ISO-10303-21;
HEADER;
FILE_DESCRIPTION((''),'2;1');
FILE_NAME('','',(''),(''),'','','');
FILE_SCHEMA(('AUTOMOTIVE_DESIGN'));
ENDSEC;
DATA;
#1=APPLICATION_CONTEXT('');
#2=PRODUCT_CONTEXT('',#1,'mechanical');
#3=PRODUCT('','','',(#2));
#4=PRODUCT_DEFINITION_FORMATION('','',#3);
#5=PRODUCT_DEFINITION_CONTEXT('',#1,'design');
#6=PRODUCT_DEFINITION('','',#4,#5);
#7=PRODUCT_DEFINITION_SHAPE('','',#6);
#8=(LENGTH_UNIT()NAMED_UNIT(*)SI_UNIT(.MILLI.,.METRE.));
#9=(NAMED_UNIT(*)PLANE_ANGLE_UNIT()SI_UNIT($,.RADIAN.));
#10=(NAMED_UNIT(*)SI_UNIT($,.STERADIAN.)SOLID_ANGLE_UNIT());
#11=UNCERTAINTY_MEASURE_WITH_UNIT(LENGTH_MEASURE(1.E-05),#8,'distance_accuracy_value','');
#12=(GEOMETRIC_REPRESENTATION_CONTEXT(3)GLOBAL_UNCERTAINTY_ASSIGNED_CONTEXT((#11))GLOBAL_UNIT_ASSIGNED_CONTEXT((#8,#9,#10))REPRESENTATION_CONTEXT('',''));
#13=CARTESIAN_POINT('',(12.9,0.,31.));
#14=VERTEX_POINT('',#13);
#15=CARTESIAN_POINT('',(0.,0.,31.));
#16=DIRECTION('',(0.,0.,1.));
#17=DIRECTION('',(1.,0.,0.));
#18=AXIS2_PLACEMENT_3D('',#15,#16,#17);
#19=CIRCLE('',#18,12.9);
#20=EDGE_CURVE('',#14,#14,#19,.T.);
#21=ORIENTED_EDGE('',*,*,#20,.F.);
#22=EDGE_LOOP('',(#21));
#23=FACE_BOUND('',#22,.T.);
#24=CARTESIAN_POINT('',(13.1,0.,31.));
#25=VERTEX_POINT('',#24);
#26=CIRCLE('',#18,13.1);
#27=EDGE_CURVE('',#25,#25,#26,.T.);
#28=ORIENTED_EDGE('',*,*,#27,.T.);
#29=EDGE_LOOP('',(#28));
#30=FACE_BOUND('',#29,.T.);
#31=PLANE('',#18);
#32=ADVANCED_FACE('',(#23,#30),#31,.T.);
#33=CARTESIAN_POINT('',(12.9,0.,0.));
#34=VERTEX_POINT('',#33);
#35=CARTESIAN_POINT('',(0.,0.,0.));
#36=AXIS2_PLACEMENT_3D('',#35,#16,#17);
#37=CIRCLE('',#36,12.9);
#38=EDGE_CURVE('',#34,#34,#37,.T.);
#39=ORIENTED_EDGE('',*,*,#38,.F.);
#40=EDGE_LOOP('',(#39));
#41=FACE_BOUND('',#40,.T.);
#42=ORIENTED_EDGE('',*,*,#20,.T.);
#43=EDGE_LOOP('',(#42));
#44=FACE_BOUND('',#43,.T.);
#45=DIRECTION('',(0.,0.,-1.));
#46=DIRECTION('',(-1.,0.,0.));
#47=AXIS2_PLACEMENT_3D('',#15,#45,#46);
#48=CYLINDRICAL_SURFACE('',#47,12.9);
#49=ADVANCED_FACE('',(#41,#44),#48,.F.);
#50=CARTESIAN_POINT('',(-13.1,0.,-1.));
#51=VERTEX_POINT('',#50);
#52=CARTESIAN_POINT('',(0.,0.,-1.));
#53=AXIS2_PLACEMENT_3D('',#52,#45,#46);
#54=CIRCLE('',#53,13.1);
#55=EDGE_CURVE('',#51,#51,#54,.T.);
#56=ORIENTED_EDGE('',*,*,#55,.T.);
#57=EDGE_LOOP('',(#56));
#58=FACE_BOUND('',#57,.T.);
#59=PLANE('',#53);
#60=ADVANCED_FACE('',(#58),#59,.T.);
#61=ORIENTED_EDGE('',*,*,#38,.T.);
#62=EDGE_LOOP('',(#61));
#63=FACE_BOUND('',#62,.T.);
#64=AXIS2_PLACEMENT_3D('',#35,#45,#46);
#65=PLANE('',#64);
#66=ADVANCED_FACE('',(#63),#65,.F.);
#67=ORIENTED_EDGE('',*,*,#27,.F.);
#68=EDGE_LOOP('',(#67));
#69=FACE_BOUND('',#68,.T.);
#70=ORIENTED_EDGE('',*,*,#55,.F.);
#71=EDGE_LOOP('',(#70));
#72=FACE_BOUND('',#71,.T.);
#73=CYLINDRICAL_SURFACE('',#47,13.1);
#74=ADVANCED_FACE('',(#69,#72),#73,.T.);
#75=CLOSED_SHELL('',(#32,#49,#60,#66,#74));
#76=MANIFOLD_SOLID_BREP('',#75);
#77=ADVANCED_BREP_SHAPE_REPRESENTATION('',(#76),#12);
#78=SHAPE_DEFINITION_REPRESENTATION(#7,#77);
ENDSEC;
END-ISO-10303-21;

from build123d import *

# Parameters (mm, degrees)
ESBO_O1_R                = 13.1
ESBO_O1_R_2              = 12.9
RESSALTO_EXTRUS_O2_DEPTH = 31
RESSALTO_EXTRUS_O3_START = 1
ESBO_O2_R                = 13.1
RESSALTO_EXTRUS_O3_DEPTH = 1


with BuildPart() as part:
    # Esboço1 → Ressalto-extrusão2 (new body)
    with BuildSketch(Plane.XY):
        Circle(ESBO_O1_R)
        Circle(ESBO_O1_R_2, mode=Mode.SUBTRACT)
    extrude(amount=RESSALTO_EXTRUS_O2_DEPTH)

    # Esboço2 → Ressalto-extrusão3 (add)
    with BuildSketch(Plane(origin=(0, 0, 0), x_dir=(-1, 0, 0), z_dir=(0, 0, -1)).offset(RESSALTO_EXTRUS_O3_START)):
        Circle(ESBO_O2_R)
    extrude(amount=-RESSALTO_EXTRUS_O3_DEPTH)


solid = part.part
